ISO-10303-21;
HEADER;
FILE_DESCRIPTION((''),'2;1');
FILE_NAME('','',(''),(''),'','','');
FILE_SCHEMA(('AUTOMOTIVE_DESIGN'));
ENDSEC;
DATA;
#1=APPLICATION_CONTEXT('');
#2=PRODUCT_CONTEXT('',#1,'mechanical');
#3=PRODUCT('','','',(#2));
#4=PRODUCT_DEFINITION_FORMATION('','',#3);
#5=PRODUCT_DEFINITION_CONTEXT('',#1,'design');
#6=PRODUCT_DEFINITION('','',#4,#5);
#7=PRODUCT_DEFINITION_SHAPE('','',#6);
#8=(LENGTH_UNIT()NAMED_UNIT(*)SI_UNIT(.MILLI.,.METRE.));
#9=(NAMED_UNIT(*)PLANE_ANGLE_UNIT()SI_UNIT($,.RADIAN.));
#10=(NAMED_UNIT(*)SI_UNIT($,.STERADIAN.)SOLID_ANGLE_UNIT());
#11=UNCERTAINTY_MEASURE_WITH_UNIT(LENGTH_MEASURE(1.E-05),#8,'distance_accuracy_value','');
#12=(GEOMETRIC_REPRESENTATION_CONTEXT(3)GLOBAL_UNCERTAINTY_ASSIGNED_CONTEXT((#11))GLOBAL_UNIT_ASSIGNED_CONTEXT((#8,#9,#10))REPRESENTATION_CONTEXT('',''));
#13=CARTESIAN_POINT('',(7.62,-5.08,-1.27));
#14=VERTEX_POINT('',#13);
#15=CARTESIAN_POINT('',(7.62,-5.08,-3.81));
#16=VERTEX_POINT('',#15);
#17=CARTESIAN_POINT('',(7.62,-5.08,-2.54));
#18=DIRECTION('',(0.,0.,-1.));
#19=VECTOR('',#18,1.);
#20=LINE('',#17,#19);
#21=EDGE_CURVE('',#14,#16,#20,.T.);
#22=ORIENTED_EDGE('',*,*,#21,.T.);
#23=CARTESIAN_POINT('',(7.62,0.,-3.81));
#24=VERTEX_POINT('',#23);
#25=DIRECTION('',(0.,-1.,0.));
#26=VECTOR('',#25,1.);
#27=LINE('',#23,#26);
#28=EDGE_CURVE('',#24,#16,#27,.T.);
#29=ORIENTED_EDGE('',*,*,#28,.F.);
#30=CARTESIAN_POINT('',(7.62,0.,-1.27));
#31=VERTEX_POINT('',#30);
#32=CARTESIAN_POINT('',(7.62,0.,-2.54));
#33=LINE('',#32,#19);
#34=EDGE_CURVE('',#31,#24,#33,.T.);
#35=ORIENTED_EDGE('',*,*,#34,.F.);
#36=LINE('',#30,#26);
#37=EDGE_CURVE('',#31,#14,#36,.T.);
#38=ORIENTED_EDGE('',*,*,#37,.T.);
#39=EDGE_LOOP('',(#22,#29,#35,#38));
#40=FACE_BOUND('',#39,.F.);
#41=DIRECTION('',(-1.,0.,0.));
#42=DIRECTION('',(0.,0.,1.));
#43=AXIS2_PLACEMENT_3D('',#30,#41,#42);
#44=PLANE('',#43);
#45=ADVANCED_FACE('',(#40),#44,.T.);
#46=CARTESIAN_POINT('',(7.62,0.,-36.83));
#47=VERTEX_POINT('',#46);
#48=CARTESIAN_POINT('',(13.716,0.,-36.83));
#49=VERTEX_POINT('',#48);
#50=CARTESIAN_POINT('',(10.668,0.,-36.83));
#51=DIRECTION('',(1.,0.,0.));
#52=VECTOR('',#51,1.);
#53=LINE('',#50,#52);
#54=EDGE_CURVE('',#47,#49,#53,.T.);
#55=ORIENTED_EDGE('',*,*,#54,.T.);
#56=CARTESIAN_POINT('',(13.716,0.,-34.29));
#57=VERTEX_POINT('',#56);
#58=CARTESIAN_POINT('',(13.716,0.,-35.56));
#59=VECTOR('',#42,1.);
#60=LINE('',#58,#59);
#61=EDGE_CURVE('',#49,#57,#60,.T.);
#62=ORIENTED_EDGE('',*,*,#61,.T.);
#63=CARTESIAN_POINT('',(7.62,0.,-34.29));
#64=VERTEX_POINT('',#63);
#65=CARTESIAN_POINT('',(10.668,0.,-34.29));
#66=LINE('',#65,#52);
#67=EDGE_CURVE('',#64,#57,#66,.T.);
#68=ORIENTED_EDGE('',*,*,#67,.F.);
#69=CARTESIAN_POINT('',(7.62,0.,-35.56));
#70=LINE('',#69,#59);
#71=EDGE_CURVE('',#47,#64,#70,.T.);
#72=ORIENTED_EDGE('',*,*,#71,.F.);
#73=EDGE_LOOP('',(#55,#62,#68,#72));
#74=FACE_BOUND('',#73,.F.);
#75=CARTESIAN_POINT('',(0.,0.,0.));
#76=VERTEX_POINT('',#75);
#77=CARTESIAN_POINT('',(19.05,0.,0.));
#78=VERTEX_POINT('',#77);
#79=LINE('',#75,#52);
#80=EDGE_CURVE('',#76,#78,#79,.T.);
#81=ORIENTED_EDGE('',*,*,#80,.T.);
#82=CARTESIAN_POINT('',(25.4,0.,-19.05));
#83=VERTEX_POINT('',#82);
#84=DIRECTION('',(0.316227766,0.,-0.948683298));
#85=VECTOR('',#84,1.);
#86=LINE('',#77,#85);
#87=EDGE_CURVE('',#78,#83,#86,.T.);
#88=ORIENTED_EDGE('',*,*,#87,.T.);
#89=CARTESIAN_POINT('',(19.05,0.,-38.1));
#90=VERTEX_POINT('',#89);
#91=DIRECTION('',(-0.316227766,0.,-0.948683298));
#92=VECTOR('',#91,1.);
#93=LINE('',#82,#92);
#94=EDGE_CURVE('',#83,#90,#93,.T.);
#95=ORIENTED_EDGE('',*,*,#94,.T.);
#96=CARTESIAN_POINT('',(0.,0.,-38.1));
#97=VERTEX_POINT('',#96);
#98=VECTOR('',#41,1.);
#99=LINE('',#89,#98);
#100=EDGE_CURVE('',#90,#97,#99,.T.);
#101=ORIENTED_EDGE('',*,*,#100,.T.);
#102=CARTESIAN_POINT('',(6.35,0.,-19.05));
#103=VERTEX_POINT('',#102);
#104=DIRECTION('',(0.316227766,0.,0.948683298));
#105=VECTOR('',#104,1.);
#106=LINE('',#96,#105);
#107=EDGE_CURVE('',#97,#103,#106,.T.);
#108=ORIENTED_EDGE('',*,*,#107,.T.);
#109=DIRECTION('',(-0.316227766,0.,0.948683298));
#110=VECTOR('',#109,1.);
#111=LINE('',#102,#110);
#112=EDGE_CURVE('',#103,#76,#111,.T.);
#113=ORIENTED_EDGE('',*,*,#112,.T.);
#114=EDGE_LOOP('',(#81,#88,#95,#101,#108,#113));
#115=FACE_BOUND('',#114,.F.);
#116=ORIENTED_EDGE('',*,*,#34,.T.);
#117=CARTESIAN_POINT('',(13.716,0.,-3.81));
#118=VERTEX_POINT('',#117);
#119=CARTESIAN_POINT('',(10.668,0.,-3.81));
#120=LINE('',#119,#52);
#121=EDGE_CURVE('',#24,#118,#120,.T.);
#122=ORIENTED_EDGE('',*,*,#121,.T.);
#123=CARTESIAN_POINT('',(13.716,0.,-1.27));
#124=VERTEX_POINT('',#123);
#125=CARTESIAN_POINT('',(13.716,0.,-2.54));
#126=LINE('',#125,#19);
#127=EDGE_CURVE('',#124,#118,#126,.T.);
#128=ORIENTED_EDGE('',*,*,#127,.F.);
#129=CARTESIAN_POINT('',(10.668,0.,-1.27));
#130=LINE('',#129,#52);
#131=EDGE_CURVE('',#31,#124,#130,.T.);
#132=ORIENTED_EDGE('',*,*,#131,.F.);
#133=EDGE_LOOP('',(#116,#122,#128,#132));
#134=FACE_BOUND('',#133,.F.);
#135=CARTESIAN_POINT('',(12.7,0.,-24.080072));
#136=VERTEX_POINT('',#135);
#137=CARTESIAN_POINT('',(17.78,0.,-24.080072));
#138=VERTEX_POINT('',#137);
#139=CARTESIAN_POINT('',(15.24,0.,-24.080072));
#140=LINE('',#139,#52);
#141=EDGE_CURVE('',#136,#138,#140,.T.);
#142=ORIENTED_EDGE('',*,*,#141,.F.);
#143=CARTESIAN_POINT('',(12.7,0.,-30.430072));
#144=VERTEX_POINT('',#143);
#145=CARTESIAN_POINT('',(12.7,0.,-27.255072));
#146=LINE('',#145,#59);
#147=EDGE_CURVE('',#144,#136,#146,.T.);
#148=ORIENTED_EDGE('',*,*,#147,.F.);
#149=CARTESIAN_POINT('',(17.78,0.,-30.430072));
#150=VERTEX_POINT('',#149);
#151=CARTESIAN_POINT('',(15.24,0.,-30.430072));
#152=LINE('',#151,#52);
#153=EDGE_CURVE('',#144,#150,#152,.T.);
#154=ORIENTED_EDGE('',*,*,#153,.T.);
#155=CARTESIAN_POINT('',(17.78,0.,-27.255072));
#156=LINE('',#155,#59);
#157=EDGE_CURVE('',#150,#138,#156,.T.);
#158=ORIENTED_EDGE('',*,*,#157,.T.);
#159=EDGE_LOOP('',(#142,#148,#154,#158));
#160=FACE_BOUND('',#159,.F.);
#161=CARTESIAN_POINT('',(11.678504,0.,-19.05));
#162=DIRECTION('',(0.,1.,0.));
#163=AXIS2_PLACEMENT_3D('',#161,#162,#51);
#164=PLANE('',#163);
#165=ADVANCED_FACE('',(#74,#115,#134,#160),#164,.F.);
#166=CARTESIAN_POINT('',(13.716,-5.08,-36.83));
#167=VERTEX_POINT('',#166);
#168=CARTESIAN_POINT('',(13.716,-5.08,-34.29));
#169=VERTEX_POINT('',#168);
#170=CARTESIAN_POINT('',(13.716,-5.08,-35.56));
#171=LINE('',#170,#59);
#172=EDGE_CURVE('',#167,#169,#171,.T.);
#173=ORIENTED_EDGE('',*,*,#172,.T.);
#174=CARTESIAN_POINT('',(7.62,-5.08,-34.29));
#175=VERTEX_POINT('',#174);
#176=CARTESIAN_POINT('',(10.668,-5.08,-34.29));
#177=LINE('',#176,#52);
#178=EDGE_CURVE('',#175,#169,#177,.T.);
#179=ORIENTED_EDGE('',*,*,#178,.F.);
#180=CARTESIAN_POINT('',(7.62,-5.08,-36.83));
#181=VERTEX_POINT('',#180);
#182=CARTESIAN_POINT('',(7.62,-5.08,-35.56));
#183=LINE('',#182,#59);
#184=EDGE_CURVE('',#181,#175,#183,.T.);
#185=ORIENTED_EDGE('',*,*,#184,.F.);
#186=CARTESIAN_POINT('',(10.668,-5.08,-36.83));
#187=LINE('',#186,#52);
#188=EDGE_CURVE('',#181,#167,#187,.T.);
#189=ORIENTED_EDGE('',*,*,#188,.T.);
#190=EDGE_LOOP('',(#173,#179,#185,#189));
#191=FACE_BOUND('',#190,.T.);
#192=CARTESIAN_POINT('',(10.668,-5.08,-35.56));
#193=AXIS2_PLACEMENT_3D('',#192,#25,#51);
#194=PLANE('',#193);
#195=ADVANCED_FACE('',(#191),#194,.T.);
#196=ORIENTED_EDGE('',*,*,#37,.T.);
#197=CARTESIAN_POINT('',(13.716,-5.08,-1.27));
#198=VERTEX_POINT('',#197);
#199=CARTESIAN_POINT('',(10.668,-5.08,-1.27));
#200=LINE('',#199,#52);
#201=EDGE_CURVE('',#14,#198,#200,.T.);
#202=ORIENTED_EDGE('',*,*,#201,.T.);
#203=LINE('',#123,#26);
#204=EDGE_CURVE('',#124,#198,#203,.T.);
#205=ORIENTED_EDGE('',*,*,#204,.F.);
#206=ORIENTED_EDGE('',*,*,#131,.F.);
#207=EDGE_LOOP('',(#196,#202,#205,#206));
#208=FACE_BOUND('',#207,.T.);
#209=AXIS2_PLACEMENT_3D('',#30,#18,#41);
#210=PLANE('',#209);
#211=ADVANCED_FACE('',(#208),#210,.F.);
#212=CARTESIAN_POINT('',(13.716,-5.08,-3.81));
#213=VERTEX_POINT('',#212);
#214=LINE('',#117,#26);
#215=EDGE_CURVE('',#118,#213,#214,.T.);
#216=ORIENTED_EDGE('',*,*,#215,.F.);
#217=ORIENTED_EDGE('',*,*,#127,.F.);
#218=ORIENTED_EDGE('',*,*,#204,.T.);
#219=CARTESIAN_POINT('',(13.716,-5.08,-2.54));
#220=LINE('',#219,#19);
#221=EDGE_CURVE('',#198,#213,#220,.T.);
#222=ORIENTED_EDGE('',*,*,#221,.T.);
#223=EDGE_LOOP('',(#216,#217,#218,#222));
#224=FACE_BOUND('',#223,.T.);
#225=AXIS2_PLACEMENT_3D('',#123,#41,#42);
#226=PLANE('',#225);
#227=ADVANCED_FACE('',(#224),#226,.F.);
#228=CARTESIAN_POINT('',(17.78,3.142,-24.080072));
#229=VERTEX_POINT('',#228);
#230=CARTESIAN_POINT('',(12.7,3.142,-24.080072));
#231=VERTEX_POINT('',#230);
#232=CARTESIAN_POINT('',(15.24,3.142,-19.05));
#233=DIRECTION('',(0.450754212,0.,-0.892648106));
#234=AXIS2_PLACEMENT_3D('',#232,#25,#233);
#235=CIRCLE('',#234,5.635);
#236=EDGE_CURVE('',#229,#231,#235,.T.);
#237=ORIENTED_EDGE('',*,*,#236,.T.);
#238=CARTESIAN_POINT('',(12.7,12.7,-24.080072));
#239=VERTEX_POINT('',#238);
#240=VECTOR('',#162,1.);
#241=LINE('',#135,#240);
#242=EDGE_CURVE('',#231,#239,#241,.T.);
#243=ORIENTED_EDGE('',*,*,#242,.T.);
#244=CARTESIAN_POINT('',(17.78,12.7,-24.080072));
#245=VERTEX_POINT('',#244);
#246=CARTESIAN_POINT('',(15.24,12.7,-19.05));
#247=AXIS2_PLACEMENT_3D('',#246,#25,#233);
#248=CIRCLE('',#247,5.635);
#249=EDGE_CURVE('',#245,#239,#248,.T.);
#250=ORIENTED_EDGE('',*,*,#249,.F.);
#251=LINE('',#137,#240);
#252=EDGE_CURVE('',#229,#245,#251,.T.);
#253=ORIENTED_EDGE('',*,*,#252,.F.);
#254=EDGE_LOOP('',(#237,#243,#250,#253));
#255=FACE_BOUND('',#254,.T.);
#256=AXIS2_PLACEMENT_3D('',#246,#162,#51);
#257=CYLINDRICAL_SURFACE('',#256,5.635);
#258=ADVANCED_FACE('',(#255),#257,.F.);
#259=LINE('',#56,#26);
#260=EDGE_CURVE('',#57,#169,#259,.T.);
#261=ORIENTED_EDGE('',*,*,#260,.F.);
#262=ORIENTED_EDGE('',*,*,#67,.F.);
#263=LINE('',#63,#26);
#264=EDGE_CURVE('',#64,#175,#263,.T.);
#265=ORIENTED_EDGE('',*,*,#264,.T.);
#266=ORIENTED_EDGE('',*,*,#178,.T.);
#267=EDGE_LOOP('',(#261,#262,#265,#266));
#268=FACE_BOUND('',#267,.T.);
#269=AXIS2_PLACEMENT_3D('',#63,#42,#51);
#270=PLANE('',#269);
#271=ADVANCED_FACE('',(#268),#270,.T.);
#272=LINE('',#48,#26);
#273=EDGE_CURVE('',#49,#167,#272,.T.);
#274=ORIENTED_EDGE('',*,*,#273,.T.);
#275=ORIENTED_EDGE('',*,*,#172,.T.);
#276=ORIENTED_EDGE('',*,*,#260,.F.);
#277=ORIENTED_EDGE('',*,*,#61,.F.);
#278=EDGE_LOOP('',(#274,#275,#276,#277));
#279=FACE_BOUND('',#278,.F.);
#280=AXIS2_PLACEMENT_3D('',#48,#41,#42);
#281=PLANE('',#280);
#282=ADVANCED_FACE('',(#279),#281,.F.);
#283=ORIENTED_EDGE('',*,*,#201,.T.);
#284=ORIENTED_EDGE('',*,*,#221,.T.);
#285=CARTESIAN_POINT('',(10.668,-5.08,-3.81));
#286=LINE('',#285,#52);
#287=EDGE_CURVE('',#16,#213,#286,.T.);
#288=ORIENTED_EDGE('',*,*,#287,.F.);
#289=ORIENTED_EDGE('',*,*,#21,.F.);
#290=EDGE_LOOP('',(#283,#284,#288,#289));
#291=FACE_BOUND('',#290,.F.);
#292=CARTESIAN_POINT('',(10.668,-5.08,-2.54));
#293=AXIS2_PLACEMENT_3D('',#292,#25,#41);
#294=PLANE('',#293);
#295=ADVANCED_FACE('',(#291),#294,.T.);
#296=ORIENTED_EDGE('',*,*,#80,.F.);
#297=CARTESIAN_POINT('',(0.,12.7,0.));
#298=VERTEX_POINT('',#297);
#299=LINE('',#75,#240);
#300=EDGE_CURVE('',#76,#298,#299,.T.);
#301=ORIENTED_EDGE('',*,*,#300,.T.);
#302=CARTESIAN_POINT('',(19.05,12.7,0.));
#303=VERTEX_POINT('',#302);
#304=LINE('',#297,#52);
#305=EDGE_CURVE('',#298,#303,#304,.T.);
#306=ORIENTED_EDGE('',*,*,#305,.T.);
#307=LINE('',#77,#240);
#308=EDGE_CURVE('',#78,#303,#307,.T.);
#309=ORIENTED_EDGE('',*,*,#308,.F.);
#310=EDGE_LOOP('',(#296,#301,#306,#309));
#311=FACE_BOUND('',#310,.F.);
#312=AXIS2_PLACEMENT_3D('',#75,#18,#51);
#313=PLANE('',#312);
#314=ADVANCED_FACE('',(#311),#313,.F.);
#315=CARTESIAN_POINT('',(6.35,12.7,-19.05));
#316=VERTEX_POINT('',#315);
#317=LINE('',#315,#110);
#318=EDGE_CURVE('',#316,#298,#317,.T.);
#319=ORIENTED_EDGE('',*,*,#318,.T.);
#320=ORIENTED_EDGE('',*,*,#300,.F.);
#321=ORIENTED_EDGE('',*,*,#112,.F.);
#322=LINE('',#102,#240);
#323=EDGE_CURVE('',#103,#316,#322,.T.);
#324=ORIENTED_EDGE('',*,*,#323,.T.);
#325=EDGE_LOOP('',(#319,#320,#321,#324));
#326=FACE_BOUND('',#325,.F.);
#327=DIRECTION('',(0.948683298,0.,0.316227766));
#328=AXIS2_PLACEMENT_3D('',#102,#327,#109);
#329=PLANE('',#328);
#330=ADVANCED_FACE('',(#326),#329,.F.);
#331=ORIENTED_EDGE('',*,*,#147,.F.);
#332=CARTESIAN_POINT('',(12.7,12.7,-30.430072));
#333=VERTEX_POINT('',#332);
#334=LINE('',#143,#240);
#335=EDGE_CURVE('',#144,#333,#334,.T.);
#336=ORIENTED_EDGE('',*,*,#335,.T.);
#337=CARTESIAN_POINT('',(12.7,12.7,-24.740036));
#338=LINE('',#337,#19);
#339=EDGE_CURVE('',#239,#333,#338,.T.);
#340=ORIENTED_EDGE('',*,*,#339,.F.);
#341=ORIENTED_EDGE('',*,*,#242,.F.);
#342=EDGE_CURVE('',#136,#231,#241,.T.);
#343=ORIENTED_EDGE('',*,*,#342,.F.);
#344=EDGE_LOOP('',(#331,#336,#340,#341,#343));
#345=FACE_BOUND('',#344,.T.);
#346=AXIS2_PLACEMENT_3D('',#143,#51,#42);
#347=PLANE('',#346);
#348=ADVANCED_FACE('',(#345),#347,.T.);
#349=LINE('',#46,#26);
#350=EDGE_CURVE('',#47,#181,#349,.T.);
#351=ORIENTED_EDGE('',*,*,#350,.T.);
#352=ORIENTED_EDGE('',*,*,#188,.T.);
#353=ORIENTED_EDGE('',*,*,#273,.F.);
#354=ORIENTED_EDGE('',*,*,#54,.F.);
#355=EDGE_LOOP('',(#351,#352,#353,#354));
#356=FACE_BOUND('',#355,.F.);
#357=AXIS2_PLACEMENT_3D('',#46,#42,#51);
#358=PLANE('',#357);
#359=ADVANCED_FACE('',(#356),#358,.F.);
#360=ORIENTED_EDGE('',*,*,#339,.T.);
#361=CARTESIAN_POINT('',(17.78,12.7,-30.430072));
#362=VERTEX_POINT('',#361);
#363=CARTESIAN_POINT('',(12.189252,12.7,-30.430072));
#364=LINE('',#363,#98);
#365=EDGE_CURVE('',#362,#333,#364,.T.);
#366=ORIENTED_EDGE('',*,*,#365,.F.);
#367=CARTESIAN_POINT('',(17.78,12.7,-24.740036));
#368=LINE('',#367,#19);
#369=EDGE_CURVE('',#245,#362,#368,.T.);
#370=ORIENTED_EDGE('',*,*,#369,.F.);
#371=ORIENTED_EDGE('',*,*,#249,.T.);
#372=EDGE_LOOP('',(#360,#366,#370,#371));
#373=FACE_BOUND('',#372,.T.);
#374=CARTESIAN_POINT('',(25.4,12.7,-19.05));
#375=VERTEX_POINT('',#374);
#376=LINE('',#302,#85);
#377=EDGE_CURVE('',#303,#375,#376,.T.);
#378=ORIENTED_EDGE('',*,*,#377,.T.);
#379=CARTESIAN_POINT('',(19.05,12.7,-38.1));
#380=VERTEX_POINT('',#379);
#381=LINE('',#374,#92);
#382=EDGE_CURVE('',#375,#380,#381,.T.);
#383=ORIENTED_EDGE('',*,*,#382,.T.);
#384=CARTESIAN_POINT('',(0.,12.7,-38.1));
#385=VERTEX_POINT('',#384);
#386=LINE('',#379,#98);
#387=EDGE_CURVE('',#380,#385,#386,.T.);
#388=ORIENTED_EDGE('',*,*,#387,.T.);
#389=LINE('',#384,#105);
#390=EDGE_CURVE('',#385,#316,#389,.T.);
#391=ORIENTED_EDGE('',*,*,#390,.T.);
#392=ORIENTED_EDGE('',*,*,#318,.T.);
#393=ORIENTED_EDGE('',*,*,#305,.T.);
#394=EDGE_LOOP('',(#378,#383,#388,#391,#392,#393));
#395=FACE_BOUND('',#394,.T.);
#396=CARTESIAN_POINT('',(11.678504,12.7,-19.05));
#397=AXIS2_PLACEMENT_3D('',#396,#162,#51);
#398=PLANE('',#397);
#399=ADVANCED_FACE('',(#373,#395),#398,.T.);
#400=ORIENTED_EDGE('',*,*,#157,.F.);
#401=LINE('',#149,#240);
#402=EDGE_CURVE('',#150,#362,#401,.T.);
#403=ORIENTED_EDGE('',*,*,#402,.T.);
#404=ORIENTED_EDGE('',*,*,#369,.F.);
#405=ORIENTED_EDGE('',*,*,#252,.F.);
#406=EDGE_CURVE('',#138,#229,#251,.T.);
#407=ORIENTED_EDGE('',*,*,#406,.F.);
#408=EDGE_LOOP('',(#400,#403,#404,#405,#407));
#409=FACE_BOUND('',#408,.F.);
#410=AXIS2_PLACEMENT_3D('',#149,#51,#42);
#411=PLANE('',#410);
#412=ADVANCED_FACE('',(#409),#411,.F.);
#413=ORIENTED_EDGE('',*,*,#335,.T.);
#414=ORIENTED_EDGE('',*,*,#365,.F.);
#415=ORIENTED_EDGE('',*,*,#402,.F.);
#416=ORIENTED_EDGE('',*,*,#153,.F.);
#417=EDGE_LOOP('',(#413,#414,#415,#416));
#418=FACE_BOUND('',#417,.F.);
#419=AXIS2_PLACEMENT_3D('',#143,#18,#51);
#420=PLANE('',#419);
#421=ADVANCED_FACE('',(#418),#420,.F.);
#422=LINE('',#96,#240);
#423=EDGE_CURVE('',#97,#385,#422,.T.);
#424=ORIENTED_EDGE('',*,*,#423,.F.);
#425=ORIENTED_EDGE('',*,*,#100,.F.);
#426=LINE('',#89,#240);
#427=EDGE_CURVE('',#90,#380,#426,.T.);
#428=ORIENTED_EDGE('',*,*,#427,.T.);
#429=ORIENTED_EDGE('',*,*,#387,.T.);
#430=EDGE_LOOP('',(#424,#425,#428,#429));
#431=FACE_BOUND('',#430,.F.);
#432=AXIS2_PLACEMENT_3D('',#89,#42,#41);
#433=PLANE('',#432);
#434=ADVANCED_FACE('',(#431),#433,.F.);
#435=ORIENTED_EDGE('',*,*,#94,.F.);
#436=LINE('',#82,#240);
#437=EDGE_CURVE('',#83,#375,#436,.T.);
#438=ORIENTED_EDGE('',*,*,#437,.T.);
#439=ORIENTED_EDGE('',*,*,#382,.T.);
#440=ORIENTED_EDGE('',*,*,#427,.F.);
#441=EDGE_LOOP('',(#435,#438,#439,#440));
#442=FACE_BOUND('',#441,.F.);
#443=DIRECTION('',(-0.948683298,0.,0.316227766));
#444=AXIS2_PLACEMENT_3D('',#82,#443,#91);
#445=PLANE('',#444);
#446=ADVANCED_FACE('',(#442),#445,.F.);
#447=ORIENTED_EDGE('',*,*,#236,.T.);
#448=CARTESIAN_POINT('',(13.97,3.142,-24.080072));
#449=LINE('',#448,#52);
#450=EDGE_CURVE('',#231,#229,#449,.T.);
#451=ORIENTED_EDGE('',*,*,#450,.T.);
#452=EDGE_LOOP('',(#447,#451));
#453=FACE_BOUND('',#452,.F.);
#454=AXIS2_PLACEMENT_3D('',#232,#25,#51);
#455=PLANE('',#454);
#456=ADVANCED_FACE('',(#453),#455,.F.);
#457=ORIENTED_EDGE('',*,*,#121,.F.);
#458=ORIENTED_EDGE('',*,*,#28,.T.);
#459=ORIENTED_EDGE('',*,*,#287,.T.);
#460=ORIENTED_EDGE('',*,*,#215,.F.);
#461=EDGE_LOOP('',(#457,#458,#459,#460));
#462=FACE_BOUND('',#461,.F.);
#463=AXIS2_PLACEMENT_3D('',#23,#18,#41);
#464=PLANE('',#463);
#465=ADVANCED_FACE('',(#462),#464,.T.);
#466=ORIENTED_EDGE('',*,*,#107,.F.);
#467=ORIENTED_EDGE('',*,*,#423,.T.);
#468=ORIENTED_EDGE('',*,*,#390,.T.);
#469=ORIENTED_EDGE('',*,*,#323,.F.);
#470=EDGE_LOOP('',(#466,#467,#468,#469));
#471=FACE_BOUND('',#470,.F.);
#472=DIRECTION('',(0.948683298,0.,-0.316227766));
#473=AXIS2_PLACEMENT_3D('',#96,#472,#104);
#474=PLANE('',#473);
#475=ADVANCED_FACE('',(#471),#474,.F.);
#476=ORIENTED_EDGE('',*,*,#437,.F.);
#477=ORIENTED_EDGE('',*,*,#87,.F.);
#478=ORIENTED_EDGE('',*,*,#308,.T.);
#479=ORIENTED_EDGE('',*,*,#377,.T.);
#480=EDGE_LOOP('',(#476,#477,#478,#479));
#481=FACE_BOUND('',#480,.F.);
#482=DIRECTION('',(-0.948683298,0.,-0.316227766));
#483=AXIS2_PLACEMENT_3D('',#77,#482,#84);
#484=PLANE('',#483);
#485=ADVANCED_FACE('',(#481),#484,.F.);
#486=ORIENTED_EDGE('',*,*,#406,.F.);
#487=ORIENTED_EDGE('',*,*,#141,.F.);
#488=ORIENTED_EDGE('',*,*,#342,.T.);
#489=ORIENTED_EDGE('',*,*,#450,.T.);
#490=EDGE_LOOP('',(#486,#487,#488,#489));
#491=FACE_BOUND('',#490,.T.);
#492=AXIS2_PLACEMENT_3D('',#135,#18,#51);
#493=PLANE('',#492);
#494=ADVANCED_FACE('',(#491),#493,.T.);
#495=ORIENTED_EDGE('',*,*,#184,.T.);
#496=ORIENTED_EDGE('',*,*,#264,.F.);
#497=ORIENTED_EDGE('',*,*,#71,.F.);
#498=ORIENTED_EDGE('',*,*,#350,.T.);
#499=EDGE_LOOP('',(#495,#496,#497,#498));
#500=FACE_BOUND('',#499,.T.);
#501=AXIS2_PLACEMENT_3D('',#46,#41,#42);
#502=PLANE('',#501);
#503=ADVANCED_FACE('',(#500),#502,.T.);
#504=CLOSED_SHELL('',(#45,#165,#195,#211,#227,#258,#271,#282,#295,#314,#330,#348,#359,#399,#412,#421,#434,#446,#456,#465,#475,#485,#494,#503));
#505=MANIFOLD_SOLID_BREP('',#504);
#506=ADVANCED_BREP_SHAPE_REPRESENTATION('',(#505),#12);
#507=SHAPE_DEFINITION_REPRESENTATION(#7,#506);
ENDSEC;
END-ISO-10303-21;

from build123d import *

# Parameters (mm, degrees)
BOSS_EXTRUDE1_DEPTH       = 12.7
SKETCH2_R                 = 5.635000033
HAPTIC_MOTOR_CUTOUT_DEPTH = 9.557999934
SKETCH3_W                 = 5.08
SKETCH3_H                 = 6.35
HAPTIC_WIRE_CUTOUT_DEPTH  = 13.7
SKETCH4_W                 = 6.096
SKETCH4_H                 = 2.54
PINS_DEPTH                = 5.08


with BuildPart() as part:
    # Sketch1 → Boss-Extrude1 (new body)
    with BuildSketch(Plane(origin=(0, 0, 0), x_dir=(1, 0, 0), z_dir=(0, 1, 0))):
        Polygon((0, 0), (19.05, 0), (25.4, 19.05), (19.05, 38.1), (0, 38.1), (6.35, 19.05), align=None)
    extrude(amount=BOSS_EXTRUDE1_DEPTH)

    # Sketch2 → Haptic Motor Cutout (cut)
    with BuildSketch(Plane.XZ.offset(-12.7)):
        with Locations((15.24, -19.05)):
            Circle(SKETCH2_R)
    extrude(amount=HAPTIC_MOTOR_CUTOUT_DEPTH, mode=Mode.SUBTRACT)

    # Sketch3 → Haptic Wire Cutout (cut, through all)
    with BuildSketch(Plane.XZ):
        with Locations((15.24, -27.255072104)):
            Rectangle(SKETCH3_W, SKETCH3_H)
    extrude(amount=-HAPTIC_WIRE_CUTOUT_DEPTH, mode=Mode.SUBTRACT)

    # Sketch4 → Pins (add)
    with BuildSketch(Plane.XZ):
        with Locations((10.668, -35.56)):
            Rectangle(SKETCH4_W, SKETCH4_H)
    pins = extrude(amount=PINS_DEPTH)

    # Mirror1: Pins across plane
    add(pins.mirror(Plane(origin=(0, 0, -19.05), x_dir=(1, 0, 0), z_dir=(0, 0, -1))))


solid = part.part
